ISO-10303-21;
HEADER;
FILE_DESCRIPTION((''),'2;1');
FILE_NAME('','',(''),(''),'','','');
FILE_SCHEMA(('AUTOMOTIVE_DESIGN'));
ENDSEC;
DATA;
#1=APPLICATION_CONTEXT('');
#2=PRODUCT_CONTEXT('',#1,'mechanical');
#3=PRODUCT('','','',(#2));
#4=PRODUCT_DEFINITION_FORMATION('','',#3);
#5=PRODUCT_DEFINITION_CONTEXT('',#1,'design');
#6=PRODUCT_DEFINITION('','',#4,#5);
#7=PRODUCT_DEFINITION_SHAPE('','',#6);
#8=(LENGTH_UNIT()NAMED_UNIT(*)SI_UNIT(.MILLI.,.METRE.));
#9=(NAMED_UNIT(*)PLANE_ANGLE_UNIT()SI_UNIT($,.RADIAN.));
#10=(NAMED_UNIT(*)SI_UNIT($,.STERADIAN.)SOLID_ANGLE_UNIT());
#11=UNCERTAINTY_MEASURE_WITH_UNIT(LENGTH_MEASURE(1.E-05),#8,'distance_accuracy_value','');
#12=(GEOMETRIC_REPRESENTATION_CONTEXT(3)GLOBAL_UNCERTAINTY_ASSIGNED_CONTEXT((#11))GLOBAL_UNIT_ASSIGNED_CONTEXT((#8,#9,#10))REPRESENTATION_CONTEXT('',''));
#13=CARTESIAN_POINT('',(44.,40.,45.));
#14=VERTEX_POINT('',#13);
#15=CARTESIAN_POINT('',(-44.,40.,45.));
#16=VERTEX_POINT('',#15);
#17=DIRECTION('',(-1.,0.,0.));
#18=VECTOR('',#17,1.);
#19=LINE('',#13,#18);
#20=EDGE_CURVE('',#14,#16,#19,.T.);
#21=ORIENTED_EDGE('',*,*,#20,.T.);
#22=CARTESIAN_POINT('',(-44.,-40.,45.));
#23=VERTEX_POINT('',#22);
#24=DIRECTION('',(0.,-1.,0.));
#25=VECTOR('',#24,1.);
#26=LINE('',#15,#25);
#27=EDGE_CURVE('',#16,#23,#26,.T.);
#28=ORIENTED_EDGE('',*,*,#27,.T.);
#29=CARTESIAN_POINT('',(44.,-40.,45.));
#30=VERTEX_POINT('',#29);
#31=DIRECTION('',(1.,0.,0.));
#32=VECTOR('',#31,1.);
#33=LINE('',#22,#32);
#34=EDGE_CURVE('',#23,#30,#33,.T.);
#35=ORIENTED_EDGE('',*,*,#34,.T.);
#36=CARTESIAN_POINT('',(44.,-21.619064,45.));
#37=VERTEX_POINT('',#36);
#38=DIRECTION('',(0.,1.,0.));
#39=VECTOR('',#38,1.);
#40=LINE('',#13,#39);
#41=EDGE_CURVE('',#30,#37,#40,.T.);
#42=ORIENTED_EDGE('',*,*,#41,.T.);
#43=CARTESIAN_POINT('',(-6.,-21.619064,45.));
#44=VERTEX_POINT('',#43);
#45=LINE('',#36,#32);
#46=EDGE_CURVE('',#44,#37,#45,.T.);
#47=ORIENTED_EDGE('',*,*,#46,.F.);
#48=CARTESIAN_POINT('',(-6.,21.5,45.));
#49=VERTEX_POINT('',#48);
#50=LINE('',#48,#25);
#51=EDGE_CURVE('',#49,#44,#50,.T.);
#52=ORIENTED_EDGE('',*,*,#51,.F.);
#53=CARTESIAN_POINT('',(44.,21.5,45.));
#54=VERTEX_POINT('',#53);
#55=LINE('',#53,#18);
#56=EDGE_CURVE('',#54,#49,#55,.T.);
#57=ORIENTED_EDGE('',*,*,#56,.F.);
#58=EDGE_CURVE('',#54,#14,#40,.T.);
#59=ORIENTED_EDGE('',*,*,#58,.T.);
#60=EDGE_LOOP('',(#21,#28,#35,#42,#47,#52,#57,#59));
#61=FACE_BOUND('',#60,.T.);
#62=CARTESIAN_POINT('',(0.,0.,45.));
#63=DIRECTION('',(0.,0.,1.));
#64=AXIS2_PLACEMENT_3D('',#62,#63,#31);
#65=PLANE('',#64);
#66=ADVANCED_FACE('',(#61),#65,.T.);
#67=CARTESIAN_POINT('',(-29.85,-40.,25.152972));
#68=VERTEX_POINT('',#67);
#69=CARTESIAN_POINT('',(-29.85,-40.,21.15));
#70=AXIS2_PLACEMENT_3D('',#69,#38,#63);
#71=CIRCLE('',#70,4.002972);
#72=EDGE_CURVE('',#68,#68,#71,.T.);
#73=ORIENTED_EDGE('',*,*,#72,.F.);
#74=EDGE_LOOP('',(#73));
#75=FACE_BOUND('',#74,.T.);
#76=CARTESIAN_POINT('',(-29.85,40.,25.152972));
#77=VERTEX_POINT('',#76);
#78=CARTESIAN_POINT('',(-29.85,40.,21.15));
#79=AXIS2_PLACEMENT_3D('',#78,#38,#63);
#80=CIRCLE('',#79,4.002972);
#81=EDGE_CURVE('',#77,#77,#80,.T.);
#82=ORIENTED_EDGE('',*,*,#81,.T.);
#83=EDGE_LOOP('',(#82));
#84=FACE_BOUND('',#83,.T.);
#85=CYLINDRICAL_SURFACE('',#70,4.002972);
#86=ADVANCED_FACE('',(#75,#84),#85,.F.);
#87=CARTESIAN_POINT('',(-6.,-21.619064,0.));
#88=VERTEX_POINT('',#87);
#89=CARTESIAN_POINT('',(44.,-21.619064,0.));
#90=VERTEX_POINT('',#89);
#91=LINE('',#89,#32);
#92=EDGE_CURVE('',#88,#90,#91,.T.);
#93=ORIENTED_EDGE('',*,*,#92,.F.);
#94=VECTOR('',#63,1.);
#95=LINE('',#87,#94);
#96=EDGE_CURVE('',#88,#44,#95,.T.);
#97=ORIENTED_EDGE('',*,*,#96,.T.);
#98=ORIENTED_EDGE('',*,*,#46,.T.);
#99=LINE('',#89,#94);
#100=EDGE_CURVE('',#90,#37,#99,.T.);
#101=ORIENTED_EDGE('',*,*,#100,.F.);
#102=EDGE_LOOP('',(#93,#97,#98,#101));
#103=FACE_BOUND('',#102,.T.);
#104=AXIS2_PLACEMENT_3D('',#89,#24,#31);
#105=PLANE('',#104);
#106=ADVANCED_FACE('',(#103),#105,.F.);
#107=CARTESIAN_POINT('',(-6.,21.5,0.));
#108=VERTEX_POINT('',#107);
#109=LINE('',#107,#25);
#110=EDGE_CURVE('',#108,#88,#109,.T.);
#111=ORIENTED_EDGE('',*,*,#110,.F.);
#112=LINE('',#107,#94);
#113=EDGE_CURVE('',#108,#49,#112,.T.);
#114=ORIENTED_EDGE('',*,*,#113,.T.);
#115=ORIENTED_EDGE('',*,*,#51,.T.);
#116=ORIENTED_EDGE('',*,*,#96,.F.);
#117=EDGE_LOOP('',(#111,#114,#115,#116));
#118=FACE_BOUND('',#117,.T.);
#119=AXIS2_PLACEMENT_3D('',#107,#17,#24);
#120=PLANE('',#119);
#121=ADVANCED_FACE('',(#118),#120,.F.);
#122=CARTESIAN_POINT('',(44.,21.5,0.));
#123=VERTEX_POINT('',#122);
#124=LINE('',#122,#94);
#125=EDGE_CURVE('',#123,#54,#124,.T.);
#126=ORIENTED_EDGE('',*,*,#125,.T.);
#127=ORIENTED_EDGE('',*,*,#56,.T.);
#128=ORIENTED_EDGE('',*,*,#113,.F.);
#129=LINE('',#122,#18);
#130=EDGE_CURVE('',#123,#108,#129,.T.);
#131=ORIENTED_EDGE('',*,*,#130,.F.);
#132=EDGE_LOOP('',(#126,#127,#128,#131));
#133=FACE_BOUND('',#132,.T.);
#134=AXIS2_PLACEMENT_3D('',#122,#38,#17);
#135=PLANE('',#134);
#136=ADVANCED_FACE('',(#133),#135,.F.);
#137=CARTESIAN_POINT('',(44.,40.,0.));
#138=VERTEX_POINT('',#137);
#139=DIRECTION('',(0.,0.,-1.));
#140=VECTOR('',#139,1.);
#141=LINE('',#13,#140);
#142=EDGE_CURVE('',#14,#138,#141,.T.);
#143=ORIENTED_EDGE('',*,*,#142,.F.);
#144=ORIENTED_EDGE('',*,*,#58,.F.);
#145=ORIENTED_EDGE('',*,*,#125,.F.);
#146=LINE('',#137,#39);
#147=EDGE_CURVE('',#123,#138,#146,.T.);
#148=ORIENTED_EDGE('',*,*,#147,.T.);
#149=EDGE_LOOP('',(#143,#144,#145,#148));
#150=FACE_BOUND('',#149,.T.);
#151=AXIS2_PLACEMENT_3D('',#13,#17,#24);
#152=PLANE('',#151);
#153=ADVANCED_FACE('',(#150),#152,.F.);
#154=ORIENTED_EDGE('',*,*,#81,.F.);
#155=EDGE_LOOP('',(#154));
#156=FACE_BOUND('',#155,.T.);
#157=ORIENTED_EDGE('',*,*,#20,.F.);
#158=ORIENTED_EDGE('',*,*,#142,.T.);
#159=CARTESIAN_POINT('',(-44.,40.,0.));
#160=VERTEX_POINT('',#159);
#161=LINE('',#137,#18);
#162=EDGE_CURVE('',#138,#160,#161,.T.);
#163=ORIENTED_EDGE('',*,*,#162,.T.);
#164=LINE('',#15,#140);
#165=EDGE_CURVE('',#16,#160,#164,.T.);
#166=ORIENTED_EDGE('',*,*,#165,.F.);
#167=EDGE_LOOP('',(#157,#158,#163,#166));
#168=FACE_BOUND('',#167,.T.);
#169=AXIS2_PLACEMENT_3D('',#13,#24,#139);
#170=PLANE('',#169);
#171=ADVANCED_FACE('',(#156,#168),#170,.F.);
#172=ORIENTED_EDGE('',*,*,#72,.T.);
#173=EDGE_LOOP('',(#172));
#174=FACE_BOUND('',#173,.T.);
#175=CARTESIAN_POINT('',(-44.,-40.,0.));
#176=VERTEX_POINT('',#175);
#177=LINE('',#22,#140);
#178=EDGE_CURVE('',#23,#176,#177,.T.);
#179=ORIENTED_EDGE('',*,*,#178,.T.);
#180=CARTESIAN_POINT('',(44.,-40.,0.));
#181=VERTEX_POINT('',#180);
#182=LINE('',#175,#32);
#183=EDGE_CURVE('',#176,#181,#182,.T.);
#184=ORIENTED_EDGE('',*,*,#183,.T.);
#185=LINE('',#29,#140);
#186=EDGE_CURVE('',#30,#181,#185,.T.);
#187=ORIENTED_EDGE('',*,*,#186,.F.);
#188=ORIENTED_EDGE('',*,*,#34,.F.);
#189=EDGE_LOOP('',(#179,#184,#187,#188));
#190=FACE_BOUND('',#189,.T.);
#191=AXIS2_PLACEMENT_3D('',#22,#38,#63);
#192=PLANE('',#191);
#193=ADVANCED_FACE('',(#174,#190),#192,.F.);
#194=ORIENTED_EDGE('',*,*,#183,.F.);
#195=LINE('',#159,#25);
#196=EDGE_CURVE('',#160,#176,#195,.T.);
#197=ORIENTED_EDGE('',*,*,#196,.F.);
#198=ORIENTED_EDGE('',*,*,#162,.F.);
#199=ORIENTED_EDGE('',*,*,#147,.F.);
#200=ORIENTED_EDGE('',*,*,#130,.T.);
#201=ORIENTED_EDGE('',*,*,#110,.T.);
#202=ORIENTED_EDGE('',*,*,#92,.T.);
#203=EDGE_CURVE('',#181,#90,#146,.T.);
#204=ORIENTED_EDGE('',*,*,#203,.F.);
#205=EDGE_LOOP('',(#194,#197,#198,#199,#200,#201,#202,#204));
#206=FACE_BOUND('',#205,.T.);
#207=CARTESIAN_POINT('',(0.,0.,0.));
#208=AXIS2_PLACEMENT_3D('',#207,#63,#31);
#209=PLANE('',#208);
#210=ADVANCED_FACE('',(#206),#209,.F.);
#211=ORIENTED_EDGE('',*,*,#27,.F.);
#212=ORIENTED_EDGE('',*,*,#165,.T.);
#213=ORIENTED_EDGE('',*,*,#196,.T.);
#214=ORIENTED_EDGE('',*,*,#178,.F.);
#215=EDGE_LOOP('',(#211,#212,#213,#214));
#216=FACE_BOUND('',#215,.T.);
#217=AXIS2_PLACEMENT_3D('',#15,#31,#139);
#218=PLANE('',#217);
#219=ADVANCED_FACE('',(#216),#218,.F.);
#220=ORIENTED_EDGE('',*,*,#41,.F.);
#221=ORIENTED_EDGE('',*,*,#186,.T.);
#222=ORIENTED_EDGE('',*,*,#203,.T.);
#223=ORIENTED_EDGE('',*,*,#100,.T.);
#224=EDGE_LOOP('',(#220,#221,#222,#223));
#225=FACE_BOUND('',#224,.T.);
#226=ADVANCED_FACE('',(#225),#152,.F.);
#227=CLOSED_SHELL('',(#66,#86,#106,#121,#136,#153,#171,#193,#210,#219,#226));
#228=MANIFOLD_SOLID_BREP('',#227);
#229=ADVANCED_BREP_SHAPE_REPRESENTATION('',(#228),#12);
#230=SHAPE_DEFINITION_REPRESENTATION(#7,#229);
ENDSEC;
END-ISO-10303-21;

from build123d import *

# Parameters (mm, degrees)
IZIM1_W                     = 88
IZIM1_H                     = 80
Y_KSEKLIK_EKSTR_ZYON1_DEPTH = 45
IZIM2_W                     = 50
IZIM2_H                     = 43.119063511
KES_EKSTR_ZYON1_DEPTH       = 75.57211275
IZIM3_R                     = 4.00297174
KES_EKSTR_ZYON2_DEPTH       = 102.788997441


with BuildPart() as part:
    # Çizim1 → Yükseklik-Ekstrüzyon1 (new body)
    with BuildSketch(Plane.XY):
        Rectangle(IZIM1_W, IZIM1_H)
    extrude(amount=Y_KSEKLIK_EKSTR_ZYON1_DEPTH)

    # Çizim2 → Kes-Ekstrüzyon1 (cut, through all)
    with BuildSketch(Plane.XY.offset(45)):
        with Locations((19, -0.059531756)):
            Rectangle(IZIM2_W, IZIM2_H)
    extrude(amount=-KES_EKSTR_ZYON1_DEPTH, mode=Mode.SUBTRACT)

    # Çizim3 → Kes-Ekstrüzyon2 (cut, through all)
    with BuildSketch(Plane(origin=(0, 40, 0), x_dir=(1, 0, 0), z_dir=(0, 1, 0))):
        with Locations(Location((-29.85, -21.15, 0), (0, 0, 270))):
            Circle(IZIM3_R)
    extrude(amount=-KES_EKSTR_ZYON2_DEPTH, mode=Mode.SUBTRACT)


solid = part.part
